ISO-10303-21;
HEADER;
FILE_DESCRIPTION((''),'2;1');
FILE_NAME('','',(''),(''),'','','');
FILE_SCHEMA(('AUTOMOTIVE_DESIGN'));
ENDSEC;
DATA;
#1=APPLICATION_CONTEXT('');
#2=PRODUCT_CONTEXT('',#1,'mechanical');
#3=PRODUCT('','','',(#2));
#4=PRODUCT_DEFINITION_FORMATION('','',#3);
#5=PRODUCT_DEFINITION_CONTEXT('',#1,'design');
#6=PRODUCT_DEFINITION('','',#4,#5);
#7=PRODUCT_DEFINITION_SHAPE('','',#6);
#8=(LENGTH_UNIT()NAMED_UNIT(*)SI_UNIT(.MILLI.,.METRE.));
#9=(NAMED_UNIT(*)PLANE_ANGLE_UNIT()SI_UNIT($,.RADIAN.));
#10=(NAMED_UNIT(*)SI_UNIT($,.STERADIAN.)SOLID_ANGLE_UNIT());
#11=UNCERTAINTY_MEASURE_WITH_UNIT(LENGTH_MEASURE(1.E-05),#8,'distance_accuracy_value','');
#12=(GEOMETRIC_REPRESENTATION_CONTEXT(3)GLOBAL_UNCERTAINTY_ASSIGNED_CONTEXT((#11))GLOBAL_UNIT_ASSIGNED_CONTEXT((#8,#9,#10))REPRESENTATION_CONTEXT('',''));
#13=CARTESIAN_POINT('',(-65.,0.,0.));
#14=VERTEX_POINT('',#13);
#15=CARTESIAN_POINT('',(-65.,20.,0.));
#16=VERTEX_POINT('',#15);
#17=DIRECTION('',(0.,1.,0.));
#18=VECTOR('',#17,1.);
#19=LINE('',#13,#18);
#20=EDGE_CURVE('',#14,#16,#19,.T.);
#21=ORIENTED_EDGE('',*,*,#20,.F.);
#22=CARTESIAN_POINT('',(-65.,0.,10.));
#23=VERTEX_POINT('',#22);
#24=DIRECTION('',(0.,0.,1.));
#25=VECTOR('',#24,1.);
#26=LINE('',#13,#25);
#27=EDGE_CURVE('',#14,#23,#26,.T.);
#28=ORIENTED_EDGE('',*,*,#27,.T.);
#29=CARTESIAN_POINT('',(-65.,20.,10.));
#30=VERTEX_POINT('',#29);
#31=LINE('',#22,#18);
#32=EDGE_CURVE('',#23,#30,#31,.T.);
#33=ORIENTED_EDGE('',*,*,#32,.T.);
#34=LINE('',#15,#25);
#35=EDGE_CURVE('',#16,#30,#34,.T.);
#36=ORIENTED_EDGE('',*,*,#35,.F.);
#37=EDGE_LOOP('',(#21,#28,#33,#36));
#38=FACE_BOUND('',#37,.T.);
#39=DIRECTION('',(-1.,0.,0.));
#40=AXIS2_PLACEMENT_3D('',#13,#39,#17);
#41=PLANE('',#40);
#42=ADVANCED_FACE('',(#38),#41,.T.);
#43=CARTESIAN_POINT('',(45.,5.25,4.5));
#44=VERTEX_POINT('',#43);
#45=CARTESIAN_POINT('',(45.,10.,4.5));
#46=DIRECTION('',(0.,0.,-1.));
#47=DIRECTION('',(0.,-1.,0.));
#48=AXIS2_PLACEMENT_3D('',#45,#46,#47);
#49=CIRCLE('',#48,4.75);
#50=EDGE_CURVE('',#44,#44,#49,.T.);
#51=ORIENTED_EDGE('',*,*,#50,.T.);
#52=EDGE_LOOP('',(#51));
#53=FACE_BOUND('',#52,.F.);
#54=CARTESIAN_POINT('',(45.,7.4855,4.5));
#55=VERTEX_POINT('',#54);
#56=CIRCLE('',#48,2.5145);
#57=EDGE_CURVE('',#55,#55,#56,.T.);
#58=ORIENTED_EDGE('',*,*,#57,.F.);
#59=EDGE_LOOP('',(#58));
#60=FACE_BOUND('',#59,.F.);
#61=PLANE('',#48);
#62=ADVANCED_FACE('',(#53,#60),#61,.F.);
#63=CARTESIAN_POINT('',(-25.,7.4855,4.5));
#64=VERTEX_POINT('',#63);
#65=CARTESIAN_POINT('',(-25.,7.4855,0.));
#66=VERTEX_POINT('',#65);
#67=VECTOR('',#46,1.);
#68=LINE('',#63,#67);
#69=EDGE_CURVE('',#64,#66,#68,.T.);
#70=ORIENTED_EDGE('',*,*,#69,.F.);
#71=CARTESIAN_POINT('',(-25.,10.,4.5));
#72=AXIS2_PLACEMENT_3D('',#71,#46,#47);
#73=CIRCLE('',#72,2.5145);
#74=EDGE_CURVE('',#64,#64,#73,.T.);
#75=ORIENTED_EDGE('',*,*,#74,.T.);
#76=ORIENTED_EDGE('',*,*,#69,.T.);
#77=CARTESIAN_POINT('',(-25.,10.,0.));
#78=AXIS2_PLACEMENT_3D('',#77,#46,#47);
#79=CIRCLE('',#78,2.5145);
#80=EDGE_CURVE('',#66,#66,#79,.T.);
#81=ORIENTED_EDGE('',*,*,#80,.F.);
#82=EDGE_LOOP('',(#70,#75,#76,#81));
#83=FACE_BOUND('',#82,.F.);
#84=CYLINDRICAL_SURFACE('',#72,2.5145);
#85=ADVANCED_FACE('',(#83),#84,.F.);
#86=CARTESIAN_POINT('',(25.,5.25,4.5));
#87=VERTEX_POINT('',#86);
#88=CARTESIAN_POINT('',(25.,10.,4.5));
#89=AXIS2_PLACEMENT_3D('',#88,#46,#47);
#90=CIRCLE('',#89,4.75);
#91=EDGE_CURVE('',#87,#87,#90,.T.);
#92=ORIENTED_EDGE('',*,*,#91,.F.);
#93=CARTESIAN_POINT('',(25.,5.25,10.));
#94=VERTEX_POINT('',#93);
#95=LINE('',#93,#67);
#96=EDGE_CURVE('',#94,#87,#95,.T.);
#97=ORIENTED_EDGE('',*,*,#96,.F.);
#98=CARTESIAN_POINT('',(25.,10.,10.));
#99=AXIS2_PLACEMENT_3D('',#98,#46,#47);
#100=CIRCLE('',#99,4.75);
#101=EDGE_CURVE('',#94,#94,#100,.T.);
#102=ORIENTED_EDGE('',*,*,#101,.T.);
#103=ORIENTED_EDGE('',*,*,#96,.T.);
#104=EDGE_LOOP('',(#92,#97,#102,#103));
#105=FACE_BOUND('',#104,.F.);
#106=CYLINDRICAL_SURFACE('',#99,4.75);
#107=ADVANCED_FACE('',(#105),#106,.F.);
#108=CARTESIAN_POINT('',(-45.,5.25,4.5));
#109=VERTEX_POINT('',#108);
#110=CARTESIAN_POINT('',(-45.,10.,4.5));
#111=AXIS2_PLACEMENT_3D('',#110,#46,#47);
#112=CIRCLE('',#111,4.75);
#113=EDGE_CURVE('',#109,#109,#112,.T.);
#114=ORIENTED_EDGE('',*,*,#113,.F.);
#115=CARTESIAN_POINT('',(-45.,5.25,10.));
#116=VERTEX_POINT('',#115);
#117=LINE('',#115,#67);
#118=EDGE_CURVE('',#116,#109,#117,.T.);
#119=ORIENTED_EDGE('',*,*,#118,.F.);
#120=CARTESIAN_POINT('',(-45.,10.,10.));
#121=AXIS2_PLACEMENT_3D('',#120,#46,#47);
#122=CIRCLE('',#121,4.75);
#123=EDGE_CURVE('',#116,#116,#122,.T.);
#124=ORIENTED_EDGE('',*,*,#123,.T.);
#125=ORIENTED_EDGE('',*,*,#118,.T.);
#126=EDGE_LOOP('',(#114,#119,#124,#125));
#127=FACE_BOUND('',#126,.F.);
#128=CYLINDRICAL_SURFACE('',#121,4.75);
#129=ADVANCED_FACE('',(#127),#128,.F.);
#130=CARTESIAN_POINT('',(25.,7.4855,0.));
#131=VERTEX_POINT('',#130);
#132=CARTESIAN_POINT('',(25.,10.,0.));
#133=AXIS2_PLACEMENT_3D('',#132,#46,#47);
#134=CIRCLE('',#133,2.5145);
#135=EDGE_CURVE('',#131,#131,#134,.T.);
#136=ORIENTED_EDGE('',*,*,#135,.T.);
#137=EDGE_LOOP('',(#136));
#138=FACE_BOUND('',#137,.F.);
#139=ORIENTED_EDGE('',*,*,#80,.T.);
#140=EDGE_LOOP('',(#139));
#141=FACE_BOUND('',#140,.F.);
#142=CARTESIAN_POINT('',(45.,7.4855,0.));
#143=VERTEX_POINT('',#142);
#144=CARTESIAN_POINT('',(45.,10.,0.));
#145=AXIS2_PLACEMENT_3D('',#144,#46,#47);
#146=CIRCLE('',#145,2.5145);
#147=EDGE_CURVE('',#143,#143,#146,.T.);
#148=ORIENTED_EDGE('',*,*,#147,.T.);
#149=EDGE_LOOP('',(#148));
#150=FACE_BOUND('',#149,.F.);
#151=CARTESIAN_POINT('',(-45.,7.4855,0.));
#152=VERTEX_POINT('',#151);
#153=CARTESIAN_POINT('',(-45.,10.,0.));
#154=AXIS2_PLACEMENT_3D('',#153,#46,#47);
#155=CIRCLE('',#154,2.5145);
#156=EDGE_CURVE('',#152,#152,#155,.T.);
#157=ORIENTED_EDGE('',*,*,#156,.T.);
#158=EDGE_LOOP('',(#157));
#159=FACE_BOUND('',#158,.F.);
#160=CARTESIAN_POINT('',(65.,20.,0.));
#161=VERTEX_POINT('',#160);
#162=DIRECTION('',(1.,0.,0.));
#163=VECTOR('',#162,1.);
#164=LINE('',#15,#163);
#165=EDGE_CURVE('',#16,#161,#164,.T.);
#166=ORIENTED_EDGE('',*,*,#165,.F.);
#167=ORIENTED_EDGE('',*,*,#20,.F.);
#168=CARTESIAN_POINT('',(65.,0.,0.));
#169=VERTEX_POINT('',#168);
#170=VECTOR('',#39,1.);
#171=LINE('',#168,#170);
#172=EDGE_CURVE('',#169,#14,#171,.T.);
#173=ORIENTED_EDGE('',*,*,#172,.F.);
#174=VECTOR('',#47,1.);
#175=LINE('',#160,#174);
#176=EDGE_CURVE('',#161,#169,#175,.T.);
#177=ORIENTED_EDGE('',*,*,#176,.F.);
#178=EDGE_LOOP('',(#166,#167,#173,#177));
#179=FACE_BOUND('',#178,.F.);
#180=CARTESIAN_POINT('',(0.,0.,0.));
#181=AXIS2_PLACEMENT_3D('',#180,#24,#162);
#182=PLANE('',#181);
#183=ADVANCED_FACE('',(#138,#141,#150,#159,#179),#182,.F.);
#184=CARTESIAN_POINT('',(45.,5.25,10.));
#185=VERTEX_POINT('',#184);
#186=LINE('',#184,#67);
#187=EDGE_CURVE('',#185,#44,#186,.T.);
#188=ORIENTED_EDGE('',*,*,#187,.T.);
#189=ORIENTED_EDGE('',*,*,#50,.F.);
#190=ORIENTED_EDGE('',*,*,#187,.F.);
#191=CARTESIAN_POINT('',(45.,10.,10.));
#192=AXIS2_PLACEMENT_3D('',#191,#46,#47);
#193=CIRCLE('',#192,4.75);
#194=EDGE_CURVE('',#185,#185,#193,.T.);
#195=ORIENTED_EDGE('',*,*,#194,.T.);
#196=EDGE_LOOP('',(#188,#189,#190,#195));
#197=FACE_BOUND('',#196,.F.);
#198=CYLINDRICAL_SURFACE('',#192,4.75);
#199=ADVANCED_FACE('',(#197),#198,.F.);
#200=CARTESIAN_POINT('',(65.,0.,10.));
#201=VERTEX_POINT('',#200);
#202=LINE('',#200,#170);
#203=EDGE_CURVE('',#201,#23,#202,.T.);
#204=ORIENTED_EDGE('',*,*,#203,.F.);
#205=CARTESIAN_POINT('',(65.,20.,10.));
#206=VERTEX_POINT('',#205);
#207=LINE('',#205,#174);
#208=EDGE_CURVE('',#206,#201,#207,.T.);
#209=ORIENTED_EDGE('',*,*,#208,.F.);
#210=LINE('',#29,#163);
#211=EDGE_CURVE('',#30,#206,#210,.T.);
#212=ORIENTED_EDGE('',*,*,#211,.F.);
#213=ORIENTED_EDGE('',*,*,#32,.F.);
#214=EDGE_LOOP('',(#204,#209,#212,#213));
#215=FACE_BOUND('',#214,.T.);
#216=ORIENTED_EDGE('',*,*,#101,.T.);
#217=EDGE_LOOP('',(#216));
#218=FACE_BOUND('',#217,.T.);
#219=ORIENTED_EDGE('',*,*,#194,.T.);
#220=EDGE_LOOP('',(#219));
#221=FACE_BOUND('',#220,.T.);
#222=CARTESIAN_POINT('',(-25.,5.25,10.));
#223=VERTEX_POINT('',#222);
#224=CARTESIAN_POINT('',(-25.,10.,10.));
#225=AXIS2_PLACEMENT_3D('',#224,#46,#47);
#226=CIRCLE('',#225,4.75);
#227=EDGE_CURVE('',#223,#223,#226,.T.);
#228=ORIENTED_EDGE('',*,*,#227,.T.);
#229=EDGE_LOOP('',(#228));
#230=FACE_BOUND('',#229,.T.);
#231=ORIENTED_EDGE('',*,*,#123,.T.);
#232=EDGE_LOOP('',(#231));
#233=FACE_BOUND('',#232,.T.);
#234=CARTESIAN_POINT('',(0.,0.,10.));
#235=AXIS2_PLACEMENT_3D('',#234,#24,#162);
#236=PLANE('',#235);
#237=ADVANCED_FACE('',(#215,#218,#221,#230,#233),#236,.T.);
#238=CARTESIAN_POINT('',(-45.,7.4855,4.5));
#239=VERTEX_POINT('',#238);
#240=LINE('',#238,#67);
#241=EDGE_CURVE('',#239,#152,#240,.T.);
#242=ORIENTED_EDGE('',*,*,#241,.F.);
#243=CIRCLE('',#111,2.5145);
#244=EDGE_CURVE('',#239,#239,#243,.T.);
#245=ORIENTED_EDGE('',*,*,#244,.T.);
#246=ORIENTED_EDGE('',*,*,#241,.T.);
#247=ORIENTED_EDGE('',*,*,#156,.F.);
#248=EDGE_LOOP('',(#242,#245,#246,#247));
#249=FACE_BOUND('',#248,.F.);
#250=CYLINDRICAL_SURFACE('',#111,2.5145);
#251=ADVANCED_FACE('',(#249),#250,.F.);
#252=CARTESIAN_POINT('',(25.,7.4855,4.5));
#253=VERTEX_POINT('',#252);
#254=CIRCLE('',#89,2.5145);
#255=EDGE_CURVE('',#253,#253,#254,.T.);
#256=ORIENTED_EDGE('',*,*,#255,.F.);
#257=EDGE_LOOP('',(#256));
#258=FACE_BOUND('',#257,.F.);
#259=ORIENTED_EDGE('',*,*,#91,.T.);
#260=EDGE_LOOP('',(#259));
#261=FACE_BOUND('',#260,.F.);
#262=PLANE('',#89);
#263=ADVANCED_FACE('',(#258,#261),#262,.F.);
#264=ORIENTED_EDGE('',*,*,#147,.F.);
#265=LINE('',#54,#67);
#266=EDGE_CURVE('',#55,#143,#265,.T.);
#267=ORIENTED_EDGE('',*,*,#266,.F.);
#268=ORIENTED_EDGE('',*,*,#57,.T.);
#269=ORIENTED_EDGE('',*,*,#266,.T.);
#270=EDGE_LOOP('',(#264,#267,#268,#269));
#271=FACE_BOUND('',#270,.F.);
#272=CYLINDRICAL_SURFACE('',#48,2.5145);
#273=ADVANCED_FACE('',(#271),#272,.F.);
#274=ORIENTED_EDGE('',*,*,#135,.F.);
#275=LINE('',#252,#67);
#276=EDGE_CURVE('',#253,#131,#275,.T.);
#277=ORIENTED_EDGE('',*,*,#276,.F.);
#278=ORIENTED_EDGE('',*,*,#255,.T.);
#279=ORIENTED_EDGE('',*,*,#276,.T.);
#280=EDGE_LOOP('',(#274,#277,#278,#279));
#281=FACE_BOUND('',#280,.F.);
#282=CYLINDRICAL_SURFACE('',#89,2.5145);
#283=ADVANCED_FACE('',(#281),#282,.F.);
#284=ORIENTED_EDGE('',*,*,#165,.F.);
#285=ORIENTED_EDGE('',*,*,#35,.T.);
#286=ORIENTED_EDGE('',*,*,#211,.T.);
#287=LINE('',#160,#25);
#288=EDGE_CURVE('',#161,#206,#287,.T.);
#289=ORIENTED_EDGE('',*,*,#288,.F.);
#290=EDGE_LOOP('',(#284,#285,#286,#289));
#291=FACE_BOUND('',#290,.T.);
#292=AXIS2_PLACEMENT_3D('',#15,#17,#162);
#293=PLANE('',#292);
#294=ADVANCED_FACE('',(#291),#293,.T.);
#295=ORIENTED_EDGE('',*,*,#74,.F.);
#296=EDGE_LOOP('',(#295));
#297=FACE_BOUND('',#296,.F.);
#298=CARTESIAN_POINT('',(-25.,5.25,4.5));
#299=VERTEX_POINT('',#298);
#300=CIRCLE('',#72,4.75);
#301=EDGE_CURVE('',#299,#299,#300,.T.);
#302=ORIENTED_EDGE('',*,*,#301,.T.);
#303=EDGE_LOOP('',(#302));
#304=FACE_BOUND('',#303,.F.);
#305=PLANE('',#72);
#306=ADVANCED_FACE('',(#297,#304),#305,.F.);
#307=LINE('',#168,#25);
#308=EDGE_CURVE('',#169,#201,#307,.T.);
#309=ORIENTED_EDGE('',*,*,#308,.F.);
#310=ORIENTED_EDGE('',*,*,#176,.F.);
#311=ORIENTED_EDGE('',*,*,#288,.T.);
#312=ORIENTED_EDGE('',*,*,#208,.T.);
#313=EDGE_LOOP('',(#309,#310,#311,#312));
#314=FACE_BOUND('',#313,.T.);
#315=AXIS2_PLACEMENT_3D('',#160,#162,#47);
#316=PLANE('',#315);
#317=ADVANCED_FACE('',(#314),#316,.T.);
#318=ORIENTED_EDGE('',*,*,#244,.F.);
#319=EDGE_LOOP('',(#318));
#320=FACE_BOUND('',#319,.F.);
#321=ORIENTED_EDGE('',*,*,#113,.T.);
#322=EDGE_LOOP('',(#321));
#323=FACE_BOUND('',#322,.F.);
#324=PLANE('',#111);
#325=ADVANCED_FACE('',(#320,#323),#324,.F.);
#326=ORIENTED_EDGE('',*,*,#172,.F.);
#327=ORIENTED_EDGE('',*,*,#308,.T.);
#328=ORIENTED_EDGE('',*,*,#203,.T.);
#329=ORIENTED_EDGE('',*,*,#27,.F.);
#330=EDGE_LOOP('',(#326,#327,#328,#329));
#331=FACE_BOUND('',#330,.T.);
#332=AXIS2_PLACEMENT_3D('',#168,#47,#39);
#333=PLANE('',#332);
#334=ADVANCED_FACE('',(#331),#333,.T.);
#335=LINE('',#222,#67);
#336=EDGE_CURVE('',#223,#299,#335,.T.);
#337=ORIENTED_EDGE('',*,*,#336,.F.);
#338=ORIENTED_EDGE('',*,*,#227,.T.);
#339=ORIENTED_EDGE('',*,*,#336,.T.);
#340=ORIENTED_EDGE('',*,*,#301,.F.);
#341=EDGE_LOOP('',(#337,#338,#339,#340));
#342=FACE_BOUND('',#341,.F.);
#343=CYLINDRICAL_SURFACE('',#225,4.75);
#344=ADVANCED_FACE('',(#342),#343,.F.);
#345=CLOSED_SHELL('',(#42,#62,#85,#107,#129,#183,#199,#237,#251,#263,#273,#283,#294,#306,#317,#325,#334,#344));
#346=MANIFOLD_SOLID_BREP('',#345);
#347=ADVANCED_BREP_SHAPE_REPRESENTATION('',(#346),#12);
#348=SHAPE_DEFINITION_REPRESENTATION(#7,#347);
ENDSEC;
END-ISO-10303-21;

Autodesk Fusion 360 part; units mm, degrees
sketch "Sketch1" plane through (0, 0, 0) normal (0, 0, 1) x (1, 0, 0)
  line L0 (-65, 20) -> (65, 20)
  line L1 (65, 20) -> (65, 0)
  line L2 (65, 0) -> (-65, 0)
  line L3 (-65, 0) -> (-65, 20)
  dimension "d1" = 130
  dimension "d2" = 20
extrude "Extrude1" add sketch "Sketch1" along normal blind 10
sketch "Sketch3" plane through (0, 0, 10) normal (0, 0, 1) x (-1, 0, 0)
  line L0 (65, -20) -> (65, 0)
  line L1 (65, -10) -> (45, -10)
  line L2 (45, -10) -> (25, -10)
  line L3 (-65, 0) -> (-65, -20)
  line L4 (-65, -10) -> (-45, -10)
  line L5 (-45, -10) -> (-25, -10)
  point P0 (65, -20)
  dimension "d10" = 20
  dimension "d11" = 20
  dimension "d12" = 20
  dimension "d13" = 20
hole "Hole1" at (-45, 10, 10) at (25, 10, 10) at (45, 10, 10) at (-25, 10, 10) direction (0, 0, -1) diameter 5.029 depth 11 tip angle 118 counterbore diameter 9.5 counterbore depth 5.5
